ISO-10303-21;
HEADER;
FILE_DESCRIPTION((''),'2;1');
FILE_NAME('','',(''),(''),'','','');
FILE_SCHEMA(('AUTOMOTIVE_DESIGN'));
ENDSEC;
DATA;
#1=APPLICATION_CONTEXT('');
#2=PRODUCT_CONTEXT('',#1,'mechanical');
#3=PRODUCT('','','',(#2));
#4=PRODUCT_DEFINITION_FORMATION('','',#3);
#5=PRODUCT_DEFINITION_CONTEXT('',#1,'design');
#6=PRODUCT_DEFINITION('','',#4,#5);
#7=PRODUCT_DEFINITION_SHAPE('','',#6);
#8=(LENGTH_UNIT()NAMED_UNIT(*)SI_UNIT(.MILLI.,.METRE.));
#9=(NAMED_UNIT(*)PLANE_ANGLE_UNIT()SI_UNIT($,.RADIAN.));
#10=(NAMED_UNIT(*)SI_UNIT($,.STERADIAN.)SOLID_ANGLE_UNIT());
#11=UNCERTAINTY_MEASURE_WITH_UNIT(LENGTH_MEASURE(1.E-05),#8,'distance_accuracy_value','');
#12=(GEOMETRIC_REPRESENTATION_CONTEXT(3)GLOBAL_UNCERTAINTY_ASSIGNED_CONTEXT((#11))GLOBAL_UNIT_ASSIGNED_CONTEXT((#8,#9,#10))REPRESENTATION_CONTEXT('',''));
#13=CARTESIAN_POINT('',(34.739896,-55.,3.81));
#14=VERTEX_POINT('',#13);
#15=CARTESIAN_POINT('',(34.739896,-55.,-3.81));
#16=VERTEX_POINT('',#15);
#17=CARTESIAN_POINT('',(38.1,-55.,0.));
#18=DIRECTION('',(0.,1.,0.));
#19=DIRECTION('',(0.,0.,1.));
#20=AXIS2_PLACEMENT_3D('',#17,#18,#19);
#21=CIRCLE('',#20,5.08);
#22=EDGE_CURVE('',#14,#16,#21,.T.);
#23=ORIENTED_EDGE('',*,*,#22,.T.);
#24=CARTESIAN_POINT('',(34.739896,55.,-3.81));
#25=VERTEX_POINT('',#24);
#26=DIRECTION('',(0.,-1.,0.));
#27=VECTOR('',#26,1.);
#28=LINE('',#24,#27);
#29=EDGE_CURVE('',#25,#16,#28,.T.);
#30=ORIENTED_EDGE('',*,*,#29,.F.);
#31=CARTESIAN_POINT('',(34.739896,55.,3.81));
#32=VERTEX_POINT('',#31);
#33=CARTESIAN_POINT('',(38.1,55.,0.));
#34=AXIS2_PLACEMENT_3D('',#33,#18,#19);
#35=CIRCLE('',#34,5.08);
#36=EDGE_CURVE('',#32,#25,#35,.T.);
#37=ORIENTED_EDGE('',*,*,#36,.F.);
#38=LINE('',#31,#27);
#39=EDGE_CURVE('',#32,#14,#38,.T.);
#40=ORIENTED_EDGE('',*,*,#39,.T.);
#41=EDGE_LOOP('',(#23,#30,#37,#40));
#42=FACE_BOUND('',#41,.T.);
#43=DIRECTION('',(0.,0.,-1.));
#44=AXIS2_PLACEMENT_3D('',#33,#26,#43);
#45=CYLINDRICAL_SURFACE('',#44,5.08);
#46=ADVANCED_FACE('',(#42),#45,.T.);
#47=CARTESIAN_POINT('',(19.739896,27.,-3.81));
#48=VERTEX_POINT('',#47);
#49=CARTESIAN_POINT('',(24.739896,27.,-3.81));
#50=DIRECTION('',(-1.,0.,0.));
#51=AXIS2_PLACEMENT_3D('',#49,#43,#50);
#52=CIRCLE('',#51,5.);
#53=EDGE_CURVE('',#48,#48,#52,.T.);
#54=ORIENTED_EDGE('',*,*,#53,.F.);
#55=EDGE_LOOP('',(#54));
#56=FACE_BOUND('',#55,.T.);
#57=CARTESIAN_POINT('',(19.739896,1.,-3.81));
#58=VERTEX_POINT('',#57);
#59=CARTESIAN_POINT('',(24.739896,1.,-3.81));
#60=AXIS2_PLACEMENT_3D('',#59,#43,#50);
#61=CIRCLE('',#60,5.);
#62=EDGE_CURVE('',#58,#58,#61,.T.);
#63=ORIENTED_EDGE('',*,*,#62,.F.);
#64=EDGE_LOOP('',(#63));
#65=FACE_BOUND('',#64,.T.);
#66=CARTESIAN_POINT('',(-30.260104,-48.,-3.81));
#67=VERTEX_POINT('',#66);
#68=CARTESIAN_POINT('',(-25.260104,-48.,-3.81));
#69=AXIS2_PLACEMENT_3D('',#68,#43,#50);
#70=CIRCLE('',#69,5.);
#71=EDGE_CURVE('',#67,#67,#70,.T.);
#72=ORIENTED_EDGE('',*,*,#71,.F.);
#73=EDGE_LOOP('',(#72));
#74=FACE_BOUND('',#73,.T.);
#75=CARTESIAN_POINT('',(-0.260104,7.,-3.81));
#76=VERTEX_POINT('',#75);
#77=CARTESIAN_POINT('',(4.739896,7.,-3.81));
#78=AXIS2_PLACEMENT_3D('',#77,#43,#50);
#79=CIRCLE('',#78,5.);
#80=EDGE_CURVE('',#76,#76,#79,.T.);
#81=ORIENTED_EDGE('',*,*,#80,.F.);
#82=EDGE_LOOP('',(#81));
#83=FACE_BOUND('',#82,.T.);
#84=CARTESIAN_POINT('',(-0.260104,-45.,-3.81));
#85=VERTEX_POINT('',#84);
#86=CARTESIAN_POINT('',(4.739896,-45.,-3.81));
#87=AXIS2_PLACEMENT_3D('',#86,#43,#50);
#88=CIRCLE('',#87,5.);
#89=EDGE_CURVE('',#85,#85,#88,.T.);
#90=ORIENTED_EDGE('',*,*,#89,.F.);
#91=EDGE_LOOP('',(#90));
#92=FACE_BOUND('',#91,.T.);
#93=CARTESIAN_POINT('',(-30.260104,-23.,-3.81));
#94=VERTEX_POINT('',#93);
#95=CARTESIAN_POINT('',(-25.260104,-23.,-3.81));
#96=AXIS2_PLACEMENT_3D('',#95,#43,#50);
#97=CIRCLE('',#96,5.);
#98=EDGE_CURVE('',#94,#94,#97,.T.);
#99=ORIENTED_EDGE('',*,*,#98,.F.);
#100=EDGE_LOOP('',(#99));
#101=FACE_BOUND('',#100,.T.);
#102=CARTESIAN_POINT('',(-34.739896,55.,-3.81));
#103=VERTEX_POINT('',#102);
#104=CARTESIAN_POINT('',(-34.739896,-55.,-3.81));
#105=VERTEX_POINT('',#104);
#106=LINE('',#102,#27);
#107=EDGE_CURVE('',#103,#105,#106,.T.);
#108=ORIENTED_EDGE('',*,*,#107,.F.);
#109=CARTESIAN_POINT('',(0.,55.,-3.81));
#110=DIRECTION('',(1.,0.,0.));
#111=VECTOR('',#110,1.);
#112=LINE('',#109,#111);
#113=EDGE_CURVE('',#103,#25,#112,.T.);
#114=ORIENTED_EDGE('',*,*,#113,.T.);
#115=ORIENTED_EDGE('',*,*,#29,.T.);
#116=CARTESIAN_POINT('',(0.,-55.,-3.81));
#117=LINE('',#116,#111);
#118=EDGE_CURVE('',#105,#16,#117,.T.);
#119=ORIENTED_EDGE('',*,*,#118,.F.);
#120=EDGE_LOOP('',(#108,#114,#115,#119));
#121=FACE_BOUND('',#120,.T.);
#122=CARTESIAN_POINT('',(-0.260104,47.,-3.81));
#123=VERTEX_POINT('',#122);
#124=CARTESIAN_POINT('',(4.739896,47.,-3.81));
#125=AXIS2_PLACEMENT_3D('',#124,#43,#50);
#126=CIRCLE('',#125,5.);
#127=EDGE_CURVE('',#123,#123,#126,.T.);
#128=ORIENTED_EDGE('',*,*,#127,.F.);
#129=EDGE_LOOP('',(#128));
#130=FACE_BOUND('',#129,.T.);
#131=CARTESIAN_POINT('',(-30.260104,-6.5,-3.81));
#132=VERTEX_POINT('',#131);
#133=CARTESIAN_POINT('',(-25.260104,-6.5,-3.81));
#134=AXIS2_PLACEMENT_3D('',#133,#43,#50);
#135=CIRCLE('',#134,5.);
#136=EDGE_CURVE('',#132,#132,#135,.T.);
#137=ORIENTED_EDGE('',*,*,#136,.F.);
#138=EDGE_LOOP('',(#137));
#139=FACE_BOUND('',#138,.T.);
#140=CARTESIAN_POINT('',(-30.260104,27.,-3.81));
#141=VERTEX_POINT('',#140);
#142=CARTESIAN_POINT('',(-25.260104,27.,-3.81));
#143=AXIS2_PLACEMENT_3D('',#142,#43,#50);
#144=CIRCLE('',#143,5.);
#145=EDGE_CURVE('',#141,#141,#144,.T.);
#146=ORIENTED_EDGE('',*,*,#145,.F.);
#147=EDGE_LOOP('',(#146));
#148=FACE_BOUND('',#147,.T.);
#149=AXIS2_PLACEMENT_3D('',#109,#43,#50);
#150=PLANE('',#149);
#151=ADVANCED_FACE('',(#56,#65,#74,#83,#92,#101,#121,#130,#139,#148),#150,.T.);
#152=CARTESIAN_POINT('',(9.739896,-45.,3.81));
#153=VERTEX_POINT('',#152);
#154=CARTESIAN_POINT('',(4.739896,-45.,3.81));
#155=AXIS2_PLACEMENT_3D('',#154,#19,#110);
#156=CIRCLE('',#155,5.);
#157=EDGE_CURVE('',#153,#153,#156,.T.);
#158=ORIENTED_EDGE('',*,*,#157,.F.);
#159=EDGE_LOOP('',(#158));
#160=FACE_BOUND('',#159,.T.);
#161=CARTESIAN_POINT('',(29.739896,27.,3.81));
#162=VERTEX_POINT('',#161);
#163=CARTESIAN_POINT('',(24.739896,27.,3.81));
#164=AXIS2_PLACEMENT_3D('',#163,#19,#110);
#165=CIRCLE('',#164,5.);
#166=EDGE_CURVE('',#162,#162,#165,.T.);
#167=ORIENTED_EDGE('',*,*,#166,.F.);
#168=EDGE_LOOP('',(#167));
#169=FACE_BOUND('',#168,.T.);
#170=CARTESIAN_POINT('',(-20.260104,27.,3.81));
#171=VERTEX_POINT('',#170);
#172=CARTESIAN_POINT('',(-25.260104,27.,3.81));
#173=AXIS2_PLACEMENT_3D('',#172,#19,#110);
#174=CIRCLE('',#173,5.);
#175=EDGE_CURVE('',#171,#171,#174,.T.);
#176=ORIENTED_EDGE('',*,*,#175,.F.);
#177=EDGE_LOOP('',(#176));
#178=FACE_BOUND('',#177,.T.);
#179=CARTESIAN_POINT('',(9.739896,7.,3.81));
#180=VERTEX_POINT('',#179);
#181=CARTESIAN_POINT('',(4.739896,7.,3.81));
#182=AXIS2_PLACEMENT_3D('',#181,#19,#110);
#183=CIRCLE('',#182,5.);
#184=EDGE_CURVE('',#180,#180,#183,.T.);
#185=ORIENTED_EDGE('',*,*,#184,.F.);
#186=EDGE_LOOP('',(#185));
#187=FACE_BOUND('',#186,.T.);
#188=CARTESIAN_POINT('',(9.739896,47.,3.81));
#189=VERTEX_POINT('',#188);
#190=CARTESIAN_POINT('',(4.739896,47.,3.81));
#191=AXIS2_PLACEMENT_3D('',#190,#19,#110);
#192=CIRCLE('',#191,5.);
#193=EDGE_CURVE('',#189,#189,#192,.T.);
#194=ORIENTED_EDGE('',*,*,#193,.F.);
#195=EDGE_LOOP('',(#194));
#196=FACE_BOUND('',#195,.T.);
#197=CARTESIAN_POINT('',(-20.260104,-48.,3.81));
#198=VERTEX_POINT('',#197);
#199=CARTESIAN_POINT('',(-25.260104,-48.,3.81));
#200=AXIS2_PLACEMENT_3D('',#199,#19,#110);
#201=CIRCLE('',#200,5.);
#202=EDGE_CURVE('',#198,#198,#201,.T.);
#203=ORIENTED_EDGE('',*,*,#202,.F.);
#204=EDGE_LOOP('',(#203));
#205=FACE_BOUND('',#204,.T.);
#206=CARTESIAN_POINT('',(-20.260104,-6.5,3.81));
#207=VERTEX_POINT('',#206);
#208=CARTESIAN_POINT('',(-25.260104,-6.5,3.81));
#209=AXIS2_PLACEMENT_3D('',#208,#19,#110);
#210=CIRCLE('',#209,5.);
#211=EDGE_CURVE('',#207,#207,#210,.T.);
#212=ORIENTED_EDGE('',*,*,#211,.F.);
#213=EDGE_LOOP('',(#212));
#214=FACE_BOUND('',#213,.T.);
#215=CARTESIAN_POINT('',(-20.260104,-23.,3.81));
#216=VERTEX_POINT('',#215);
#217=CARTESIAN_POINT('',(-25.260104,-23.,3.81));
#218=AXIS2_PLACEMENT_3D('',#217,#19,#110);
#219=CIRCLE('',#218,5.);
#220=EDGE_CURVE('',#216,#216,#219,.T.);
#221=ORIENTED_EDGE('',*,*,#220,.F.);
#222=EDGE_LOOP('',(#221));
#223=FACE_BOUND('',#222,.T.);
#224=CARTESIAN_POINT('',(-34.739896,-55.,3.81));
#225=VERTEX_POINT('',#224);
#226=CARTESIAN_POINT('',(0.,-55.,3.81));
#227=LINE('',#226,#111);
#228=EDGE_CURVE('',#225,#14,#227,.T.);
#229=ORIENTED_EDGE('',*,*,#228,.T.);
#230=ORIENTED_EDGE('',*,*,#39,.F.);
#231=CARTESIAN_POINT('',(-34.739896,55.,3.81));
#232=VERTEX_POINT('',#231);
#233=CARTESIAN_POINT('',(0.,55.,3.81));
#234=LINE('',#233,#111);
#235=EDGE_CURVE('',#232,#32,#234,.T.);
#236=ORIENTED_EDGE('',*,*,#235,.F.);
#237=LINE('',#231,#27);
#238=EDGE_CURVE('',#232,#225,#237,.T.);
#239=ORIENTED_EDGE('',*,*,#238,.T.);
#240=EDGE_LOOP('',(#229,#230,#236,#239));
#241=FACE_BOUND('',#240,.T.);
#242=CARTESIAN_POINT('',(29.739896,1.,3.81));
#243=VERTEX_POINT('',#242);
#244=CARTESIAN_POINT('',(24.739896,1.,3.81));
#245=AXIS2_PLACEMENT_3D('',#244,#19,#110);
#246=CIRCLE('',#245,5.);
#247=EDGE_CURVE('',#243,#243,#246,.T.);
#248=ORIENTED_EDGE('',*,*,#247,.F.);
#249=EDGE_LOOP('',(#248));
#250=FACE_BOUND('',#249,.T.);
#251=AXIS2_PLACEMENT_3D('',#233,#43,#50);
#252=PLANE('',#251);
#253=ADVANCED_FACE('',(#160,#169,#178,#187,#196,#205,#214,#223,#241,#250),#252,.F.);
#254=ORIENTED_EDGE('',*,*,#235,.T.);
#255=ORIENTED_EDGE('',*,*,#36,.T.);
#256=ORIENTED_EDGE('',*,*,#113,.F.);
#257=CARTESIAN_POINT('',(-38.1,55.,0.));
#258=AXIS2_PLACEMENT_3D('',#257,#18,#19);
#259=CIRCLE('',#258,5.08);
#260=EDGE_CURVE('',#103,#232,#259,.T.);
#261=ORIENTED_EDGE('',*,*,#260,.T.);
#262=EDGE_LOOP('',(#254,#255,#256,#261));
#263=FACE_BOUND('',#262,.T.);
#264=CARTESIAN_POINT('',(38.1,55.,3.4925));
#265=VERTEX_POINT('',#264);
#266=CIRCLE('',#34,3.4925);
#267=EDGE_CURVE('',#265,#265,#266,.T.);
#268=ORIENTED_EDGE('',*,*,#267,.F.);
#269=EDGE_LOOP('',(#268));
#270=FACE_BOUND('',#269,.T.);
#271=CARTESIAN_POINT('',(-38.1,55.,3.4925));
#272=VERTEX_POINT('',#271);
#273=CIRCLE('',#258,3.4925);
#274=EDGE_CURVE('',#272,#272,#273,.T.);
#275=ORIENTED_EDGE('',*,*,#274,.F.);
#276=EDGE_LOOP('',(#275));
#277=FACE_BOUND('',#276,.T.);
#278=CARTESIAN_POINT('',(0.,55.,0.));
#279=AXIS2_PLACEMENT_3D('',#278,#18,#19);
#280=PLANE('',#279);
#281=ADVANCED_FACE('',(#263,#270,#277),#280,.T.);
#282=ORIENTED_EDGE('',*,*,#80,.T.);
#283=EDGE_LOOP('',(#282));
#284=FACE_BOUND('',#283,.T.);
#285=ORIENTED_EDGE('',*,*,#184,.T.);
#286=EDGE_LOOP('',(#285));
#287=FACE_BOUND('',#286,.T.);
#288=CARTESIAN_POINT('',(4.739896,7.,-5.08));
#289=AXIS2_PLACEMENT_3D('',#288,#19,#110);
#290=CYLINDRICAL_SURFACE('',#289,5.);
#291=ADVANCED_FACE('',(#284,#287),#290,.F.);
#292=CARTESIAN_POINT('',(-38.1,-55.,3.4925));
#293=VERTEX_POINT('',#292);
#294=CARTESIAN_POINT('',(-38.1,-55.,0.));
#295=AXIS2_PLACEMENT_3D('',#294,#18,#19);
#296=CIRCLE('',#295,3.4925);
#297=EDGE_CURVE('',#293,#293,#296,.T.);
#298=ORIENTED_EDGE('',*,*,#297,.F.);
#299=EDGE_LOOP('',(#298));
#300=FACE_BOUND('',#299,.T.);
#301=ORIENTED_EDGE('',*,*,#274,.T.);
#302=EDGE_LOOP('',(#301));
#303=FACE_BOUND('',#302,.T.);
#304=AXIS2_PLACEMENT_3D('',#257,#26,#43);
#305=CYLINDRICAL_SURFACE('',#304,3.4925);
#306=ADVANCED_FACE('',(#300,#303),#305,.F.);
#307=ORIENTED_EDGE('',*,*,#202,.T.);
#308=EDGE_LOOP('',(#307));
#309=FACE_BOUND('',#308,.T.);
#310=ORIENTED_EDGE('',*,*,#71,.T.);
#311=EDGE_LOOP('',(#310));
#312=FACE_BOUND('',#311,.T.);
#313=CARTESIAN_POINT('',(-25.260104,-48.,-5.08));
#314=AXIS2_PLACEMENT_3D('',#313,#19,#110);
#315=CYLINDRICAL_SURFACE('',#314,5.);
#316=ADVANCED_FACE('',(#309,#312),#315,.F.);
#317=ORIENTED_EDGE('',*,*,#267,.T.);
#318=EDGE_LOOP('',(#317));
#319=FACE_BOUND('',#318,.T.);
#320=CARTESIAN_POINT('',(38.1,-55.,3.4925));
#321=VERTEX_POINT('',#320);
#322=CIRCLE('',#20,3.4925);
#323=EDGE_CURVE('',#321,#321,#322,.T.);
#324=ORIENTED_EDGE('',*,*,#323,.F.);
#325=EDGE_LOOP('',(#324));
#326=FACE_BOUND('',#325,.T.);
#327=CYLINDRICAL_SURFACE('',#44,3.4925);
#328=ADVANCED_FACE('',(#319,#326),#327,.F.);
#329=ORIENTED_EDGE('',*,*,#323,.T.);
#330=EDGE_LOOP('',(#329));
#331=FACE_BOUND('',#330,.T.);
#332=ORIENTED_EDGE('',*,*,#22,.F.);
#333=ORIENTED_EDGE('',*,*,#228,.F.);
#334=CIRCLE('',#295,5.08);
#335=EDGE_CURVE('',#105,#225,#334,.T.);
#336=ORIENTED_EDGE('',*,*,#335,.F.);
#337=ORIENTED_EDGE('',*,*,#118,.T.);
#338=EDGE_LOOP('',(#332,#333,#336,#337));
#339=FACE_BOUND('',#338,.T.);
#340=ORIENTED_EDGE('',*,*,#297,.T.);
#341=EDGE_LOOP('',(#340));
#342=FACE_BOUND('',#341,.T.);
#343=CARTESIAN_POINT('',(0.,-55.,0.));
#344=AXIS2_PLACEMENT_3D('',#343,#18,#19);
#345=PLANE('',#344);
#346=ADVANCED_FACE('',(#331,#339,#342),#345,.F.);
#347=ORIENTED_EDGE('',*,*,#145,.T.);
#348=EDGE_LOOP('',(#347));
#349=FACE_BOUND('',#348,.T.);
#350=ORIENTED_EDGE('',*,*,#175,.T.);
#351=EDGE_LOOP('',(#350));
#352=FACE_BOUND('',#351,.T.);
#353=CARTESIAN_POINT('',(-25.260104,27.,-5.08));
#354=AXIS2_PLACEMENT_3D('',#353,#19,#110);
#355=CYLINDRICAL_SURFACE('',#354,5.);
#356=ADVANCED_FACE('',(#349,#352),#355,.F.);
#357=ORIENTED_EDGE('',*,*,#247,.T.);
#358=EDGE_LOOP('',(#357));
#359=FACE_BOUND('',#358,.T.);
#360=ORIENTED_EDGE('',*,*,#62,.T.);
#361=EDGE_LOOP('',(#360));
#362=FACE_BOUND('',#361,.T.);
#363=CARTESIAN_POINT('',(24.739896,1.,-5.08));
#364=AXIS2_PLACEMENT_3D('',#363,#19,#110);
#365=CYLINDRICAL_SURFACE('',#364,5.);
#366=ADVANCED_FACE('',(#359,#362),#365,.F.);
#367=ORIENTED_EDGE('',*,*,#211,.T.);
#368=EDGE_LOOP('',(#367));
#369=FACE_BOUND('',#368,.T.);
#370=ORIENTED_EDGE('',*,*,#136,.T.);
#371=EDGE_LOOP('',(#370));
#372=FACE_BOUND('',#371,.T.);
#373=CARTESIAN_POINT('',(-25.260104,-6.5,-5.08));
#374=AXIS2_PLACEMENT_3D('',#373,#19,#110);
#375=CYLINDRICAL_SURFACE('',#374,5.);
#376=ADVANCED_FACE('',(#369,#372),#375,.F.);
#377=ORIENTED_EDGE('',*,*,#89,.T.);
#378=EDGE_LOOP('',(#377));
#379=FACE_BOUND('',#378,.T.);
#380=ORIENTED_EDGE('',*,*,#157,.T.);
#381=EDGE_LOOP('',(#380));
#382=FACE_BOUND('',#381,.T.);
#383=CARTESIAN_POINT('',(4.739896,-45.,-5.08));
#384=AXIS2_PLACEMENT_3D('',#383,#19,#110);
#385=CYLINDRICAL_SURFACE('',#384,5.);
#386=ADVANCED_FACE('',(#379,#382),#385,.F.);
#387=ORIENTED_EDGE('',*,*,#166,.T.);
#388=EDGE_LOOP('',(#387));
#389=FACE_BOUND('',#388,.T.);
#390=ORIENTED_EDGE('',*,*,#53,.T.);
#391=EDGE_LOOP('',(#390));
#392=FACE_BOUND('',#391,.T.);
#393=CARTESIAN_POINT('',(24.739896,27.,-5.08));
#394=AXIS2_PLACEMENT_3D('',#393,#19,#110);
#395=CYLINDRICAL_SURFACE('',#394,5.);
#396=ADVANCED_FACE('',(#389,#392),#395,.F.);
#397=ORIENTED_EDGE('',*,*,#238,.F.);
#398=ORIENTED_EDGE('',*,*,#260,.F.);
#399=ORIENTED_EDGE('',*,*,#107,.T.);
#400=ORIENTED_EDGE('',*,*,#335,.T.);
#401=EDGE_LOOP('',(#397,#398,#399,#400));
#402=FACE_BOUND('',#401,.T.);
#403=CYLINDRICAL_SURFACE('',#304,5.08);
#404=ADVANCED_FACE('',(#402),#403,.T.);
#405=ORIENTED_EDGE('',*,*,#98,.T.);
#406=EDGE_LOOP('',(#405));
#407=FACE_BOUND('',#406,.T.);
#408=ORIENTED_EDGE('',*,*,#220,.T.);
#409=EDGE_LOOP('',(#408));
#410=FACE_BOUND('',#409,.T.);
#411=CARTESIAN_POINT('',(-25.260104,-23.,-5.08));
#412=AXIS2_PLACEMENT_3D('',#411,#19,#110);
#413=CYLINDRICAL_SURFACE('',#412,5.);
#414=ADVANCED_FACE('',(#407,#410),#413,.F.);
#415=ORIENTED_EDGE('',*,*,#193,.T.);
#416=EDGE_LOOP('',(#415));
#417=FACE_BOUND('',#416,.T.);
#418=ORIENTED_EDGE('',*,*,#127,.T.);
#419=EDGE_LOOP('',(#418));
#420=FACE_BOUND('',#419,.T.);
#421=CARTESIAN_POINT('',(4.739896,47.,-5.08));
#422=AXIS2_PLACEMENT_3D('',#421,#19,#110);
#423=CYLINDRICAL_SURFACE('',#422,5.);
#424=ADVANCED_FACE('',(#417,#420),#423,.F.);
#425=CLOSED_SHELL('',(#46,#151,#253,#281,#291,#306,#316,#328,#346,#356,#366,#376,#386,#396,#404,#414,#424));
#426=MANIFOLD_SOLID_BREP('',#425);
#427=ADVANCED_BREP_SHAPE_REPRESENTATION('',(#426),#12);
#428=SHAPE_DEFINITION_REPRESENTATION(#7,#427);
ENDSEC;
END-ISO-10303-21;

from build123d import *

# Parameters (mm, degrees)
BOSS_EXTRUDE1_DEPTH = 55
SKETCH5_R           = 5
CUT_EXTRUDE2_DEPTH  = 9.89


with BuildPart() as part:
    # Sketch1 → Boss-Extrude1 (new body, symmetric)
    with BuildSketch(Plane(origin=(0, 0, 0), x_dir=(1, 0, 0), z_dir=(0, 1, 0))):
        with BuildLine():
            Line((-38.1, -3.4925), (-38.1, -3.81))
            Line((-38.1, -3.81), (-34.739896, -3.81))
            ThreePointArc((-34.739896, -3.81), (-33.469896, -2.090104), (-33.02, 0))
            ThreePointArc((-33.02, 0), (-33.469896, 2.090104), (-34.739896, 3.81))
            Line((-34.739896, 3.81), (-38.1, 3.81))
            Line((-38.1, 3.81), (-38.1, 3.4925))
            ThreePointArc((-38.1, 3.4925), (-35.63043, 2.46957), (-34.6075, 0))
            ThreePointArc((-34.6075, 0), (-35.63043, -2.46957), (-38.1, -3.4925))
        make_face()
        with BuildLine():
            Line((-34.739896, -3.81), (-38.1, -3.81))
            Line((-38.1, -3.81), (-38.1, -3.4925))
            ThreePointArc((-38.1, -3.4925), (-41.5925, 0), (-38.1, 3.4925))
            Line((-38.1, 3.4925), (-38.1, 3.81))
            Line((-38.1, 3.81), (-34.739896, 3.81))
            ThreePointArc((-34.739896, 3.81), (-43.18, 0), (-34.739896, -3.81))
        make_face()
        with BuildLine():
            ThreePointArc((-33.02, 0), (-33.469896, -2.090104), (-34.739896, -3.81))
            Line((-34.739896, -3.81), (34.739896, -3.81))
            ThreePointArc((34.739896, -3.81), (33.02, 0), (34.739896, 3.81))
            Line((34.739896, 3.81), (-34.739896, 3.81))
            ThreePointArc((-34.739896, 3.81), (-33.469896, 2.090104), (-33.02, 0))
        make_face()
        with BuildLine():
            ThreePointArc((34.739896, 3.81), (33.02, 0), (34.739896, -3.81))
            Line((34.739896, -3.81), (38.1, -3.81))
            Line((38.1, -3.81), (38.1, -3.4925))
            ThreePointArc((38.1, -3.4925), (34.6075, 0), (38.1, 3.4925))
            Line((38.1, 3.4925), (38.1, 3.81))
            Line((38.1, 3.81), (34.739896, 3.81))
        make_face()
        with BuildLine():
            Line((38.1, -3.81), (34.739896, -3.81))
            ThreePointArc((34.739896, -3.81), (40.190104, -4.630104), (43.18, 0))
            ThreePointArc((43.18, 0), (40.190104, 4.630104), (34.739896, 3.81))
            Line((34.739896, 3.81), (38.1, 3.81))
            Line((38.1, 3.81), (38.1, 3.4925))
            ThreePointArc((38.1, 3.4925), (40.56957, 2.46957), (41.5925, 0))
            ThreePointArc((41.5925, 0), (40.56957, -2.46957), (38.1, -3.4925))
            Line((38.1, -3.4925), (38.1, -3.81))
        make_face()
    extrude(amount=BOSS_EXTRUDE1_DEPTH, both=True)

    # Sketch5 → Cut-Extrude2 (cut, through all)
    with BuildSketch(Plane.XY.offset(3.81)):
        with Locations((-25.260104, -48)):
            Circle(SKETCH5_R)
        with Locations((-25.260104, -23)):
            Circle(SKETCH5_R)
        with Locations((4.739896, 47)):
            Circle(SKETCH5_R)
        with Locations((4.739896, -45)):
            Circle(SKETCH5_R)
        with Locations((24.739896, 1)):
            Circle(SKETCH5_R)
        with Locations((-25.260104, 27)):
            Circle(SKETCH5_R)
        with Locations((24.739896, 27)):
            Circle(SKETCH5_R)
        with Locations((-25.260104, -6.5)):
            Circle(SKETCH5_R)
        with Locations((4.739896, 7)):
            Circle(SKETCH5_R)
    extrude(amount=-CUT_EXTRUDE2_DEPTH, mode=Mode.SUBTRACT)


solid = part.part
